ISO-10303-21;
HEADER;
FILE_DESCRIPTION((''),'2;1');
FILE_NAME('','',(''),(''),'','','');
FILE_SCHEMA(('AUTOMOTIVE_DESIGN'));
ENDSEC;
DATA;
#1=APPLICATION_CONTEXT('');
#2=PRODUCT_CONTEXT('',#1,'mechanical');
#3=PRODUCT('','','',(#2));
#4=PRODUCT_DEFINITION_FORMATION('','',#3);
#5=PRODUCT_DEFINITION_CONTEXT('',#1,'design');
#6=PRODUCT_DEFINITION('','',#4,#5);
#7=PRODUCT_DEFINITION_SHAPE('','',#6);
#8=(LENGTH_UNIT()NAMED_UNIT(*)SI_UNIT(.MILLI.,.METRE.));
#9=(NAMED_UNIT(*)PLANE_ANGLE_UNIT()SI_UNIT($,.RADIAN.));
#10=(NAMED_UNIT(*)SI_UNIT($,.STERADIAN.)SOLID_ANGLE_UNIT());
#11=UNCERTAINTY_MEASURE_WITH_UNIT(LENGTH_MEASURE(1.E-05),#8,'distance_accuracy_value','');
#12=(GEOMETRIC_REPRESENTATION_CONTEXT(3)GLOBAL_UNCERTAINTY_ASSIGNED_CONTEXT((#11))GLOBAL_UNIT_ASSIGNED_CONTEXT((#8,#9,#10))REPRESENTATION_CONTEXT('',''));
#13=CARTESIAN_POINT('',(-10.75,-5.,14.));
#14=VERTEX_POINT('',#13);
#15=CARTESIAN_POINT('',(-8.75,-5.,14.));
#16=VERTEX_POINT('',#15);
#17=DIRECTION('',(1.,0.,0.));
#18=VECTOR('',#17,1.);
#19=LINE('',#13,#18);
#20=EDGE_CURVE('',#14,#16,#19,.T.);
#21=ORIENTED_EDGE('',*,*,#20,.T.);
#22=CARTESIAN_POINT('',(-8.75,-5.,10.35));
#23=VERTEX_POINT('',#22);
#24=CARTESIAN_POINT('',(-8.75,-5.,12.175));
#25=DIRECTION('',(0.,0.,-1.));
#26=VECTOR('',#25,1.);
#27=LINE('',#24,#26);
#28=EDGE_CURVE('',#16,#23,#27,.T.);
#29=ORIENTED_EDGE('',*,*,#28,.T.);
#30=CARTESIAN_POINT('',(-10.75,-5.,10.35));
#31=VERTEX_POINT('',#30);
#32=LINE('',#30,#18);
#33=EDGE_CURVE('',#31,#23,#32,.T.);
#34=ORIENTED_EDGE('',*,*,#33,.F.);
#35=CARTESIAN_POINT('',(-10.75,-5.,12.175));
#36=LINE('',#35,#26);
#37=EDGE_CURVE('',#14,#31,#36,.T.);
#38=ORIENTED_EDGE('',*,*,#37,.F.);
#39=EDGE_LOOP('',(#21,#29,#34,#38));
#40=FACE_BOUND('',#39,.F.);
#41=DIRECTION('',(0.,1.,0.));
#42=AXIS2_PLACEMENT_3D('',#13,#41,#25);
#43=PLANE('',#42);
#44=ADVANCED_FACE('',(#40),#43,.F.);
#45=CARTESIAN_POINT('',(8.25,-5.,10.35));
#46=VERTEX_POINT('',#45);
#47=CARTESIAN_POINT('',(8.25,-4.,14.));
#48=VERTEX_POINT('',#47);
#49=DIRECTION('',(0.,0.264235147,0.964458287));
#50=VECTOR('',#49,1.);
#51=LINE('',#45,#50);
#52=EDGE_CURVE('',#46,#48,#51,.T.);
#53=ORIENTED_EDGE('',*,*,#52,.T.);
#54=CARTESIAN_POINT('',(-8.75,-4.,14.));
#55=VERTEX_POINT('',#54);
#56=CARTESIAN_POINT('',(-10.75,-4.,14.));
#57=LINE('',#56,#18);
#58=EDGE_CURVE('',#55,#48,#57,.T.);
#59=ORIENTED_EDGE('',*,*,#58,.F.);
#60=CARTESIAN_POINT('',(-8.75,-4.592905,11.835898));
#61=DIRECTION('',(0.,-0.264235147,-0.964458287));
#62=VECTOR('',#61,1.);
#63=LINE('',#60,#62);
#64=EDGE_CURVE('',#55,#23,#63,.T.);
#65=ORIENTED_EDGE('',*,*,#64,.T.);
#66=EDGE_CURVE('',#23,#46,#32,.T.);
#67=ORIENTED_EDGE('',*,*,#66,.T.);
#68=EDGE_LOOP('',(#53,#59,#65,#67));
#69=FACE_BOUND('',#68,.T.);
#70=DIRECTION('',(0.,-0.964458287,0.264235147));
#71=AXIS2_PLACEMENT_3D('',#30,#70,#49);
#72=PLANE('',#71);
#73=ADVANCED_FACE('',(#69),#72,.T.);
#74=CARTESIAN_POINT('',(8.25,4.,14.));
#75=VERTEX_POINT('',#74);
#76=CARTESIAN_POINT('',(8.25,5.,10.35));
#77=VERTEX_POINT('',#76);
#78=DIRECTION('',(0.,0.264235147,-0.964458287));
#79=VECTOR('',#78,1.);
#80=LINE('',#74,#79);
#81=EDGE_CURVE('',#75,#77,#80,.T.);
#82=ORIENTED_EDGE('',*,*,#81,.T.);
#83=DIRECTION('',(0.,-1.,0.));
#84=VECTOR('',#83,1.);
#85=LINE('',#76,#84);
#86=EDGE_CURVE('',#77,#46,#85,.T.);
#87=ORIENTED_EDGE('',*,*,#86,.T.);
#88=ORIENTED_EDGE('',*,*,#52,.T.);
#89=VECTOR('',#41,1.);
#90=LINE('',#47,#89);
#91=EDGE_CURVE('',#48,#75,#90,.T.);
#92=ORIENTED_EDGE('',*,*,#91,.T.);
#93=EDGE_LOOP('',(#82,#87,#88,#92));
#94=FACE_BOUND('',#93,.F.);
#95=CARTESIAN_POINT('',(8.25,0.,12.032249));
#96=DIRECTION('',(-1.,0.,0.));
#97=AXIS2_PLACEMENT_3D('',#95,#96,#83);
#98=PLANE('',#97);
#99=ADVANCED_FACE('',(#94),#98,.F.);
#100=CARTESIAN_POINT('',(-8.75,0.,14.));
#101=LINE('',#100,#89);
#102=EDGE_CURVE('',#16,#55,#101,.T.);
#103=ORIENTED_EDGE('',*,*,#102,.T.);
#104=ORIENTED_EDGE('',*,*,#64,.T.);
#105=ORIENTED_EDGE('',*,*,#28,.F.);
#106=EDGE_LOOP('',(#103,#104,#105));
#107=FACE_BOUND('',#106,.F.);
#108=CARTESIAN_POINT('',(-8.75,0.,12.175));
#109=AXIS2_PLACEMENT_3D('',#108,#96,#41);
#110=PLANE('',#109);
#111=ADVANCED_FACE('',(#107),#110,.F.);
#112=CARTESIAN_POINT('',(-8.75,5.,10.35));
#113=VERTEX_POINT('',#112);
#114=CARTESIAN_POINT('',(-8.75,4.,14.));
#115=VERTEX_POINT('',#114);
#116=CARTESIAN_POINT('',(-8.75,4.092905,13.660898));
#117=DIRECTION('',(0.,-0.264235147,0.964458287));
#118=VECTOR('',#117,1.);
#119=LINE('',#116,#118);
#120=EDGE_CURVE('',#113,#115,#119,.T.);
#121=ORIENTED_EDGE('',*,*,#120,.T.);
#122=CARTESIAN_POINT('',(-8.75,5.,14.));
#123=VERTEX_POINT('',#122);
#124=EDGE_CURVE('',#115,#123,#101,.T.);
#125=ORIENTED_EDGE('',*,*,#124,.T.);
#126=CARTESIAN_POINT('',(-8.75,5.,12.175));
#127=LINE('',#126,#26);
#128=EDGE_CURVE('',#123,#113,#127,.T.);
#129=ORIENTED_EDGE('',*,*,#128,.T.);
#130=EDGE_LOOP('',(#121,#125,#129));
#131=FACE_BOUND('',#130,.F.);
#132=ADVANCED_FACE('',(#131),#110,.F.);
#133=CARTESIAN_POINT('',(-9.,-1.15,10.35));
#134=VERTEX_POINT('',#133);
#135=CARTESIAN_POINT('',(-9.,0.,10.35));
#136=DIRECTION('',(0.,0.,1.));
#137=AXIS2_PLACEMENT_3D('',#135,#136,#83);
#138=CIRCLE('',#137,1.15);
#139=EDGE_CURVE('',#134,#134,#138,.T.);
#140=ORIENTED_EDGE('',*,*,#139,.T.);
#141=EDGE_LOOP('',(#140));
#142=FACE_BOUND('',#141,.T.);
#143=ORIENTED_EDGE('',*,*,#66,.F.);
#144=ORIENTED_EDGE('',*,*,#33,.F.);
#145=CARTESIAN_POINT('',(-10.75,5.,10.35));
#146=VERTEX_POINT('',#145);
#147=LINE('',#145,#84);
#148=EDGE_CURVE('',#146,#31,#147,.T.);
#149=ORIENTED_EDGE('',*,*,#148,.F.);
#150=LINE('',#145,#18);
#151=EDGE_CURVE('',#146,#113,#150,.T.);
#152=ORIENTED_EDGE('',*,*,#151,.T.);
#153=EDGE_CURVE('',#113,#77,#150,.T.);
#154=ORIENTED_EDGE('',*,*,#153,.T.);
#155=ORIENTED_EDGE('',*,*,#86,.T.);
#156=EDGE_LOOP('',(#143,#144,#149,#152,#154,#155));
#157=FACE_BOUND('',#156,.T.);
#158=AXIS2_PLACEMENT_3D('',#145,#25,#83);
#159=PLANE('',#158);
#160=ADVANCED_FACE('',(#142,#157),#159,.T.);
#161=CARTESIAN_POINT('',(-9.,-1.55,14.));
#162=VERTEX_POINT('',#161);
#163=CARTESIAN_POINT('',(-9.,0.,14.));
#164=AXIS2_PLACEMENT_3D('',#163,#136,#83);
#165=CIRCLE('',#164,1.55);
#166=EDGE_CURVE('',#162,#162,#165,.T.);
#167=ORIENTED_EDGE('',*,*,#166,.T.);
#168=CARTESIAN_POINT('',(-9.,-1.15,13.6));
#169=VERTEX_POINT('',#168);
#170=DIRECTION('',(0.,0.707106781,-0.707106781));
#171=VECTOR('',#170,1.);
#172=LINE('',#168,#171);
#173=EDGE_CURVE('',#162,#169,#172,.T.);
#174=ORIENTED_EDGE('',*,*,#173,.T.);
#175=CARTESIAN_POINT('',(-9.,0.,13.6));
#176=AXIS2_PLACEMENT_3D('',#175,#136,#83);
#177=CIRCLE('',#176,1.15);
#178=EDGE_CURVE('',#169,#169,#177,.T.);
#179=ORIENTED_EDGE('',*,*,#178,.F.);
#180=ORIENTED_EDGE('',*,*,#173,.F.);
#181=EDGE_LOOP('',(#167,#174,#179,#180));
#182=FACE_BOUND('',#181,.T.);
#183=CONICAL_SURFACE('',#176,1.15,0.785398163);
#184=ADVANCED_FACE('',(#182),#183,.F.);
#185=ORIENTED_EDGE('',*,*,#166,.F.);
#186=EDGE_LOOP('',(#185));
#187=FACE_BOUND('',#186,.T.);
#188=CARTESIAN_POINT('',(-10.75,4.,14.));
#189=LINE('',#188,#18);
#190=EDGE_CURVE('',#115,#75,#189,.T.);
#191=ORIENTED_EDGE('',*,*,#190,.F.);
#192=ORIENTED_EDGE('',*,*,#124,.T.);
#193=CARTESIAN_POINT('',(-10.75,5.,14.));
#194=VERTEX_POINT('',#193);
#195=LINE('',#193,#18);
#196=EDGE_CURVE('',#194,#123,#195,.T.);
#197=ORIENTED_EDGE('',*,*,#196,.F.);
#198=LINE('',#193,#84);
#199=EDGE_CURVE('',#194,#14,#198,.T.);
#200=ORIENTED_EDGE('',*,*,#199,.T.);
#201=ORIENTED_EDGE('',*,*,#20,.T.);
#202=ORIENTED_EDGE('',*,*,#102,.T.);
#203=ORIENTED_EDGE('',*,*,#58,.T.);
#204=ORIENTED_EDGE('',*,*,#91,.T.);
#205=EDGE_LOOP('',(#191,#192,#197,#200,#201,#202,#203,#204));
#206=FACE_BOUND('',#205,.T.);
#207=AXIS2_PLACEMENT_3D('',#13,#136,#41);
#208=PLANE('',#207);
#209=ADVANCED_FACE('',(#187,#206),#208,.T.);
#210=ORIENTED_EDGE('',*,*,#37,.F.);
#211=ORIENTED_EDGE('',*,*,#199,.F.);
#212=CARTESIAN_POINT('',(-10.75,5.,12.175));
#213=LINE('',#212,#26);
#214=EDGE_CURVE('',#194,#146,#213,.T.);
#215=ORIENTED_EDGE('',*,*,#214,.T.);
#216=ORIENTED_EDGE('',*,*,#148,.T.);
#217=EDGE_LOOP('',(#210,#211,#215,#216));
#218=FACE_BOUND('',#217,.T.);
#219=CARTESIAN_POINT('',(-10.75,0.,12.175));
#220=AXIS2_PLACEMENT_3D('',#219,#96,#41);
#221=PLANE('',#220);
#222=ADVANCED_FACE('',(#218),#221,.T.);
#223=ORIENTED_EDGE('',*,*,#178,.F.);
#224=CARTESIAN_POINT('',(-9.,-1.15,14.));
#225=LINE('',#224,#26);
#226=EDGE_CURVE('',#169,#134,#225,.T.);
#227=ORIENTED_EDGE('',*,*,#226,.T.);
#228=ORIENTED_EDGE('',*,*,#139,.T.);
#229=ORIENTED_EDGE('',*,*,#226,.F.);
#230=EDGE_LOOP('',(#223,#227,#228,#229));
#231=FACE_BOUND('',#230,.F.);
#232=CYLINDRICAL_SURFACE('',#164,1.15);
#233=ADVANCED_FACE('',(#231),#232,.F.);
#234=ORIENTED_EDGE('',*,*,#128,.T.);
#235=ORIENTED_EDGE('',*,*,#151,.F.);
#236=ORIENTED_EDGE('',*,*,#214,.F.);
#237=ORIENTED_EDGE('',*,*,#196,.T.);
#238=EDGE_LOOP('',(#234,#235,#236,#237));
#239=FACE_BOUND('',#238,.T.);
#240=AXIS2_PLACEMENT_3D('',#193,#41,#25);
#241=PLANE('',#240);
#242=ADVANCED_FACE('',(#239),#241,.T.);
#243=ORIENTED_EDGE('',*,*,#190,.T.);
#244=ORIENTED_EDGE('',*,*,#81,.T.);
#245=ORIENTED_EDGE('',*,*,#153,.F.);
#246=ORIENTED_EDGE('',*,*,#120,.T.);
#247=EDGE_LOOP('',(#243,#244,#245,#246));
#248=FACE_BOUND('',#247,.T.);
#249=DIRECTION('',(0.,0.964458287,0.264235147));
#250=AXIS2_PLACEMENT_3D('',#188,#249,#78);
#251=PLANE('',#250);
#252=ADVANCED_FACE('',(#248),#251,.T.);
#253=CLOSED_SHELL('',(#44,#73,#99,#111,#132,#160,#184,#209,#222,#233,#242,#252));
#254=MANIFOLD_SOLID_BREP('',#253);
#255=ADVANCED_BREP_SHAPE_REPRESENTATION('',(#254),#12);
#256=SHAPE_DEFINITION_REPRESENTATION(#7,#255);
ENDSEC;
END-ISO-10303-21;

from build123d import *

# Parameters (mm, degrees)
PAD004_DEPTH    = 19
SKETCH019_W     = 10
SKETCH019_H     = 3.65
PAD005_DEPTH    = 2
SKETCH020_R     = 1.15
POCKET016_DEPTH = 3.651
CHAMFER001_SIZE = 0.4


with BuildPart() as part:
    # Sketch018 → Pad004 (new body)
    with BuildSketch(Plane.YZ):
        Polygon((-4, 0), (4, 0), (5, -3.65), (-5, -3.65), align=None)
    extrude(amount=PAD004_DEPTH)

    # Sketch019 (on Face5 of Pad004) → Pad005 (join)
    with BuildSketch(Plane(origin=(0, 0, 0), x_dir=(0, 1, 0), z_dir=(-1, 0, 0))):
        with Locations((0, 1.825)):
            Rectangle(SKETCH019_W, SKETCH019_H)
    extrude(amount=-PAD005_DEPTH)

    # Sketch020 (on Face8 of Pad005) → Pocket016 (cut, through all)
    with BuildSketch(Plane(origin=(0, 0, 0), x_dir=(0, -1, 0), z_dir=(0, 0, 1))):
        with Locations((0, 1.75)):
            Circle(SKETCH020_R)
    extrude(amount=-POCKET016_DEPTH, mode=Mode.SUBTRACT)

    # Chamfer001
    chamfer001_edges = [part.edges().sort_by_distance(p)[0] for p in [
        (1.75, 1.15, 0),
    ]]
    chamfer(chamfer001_edges, length=CHAMFER001_SIZE)


with BuildPart() as part_1:
    # Body001 placement: moved
    add(part.part.moved(Location((-10.75, 0, 14))))


solid = part_1.part
